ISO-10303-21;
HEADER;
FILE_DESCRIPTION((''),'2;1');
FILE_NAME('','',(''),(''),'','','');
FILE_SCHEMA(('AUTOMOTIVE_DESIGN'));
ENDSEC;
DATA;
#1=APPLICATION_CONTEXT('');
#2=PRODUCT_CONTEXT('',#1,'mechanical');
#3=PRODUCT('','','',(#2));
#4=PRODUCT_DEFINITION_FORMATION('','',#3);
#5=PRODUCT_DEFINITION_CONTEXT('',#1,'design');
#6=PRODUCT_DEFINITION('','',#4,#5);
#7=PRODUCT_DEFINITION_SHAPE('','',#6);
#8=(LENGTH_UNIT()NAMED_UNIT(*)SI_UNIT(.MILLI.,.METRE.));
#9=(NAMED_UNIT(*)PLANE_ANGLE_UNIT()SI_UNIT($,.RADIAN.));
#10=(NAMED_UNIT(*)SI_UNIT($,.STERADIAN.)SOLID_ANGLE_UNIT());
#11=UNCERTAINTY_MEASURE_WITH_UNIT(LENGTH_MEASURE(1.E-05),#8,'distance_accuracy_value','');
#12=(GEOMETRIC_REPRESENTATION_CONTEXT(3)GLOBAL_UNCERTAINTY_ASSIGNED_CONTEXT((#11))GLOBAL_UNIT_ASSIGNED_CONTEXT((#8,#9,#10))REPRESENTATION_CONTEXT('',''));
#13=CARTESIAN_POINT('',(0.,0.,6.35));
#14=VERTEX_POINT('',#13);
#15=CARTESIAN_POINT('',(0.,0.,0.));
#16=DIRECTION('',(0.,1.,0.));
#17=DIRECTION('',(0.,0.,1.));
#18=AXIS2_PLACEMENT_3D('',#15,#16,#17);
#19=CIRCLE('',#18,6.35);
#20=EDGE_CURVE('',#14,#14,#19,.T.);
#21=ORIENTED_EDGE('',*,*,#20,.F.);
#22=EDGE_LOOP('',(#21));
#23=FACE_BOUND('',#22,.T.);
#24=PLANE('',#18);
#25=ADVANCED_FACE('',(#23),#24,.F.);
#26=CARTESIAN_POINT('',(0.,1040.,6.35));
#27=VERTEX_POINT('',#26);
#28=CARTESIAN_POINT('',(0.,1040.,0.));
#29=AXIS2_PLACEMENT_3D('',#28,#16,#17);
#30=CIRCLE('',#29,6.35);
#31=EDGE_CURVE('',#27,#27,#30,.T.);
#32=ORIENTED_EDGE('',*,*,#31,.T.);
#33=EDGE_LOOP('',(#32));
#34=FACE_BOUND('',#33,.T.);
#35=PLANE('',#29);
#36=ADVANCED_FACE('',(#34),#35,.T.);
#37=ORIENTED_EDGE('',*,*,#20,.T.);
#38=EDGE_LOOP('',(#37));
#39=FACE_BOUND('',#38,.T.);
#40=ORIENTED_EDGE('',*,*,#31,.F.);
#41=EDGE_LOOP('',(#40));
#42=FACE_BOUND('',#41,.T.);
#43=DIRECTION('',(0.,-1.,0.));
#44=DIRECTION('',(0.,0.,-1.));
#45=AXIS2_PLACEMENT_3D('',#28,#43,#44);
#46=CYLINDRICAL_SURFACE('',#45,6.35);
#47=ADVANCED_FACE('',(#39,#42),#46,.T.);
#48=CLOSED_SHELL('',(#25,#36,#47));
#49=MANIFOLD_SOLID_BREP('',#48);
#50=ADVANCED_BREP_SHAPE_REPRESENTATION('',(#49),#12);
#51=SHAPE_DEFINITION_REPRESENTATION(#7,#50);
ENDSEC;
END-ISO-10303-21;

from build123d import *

# Parameters (mm, degrees)
CROQUIS1_R = 6.35


with BuildPart() as part:
    # Barrer1: sweep along a path in Croquis2
    with BuildLine(Plane.XY) as barrer1_path:
        Line((0, 0), (0, 1040))
    # Croquis1 → Barrer1 (sweep)
    with BuildSketch(Plane(origin=(0, 0, 0), x_dir=(1, 0, 0), z_dir=(0, 1, 0))):
        Circle(CROQUIS1_R)
    sweep(path=barrer1_path.line)


solid = part.part
